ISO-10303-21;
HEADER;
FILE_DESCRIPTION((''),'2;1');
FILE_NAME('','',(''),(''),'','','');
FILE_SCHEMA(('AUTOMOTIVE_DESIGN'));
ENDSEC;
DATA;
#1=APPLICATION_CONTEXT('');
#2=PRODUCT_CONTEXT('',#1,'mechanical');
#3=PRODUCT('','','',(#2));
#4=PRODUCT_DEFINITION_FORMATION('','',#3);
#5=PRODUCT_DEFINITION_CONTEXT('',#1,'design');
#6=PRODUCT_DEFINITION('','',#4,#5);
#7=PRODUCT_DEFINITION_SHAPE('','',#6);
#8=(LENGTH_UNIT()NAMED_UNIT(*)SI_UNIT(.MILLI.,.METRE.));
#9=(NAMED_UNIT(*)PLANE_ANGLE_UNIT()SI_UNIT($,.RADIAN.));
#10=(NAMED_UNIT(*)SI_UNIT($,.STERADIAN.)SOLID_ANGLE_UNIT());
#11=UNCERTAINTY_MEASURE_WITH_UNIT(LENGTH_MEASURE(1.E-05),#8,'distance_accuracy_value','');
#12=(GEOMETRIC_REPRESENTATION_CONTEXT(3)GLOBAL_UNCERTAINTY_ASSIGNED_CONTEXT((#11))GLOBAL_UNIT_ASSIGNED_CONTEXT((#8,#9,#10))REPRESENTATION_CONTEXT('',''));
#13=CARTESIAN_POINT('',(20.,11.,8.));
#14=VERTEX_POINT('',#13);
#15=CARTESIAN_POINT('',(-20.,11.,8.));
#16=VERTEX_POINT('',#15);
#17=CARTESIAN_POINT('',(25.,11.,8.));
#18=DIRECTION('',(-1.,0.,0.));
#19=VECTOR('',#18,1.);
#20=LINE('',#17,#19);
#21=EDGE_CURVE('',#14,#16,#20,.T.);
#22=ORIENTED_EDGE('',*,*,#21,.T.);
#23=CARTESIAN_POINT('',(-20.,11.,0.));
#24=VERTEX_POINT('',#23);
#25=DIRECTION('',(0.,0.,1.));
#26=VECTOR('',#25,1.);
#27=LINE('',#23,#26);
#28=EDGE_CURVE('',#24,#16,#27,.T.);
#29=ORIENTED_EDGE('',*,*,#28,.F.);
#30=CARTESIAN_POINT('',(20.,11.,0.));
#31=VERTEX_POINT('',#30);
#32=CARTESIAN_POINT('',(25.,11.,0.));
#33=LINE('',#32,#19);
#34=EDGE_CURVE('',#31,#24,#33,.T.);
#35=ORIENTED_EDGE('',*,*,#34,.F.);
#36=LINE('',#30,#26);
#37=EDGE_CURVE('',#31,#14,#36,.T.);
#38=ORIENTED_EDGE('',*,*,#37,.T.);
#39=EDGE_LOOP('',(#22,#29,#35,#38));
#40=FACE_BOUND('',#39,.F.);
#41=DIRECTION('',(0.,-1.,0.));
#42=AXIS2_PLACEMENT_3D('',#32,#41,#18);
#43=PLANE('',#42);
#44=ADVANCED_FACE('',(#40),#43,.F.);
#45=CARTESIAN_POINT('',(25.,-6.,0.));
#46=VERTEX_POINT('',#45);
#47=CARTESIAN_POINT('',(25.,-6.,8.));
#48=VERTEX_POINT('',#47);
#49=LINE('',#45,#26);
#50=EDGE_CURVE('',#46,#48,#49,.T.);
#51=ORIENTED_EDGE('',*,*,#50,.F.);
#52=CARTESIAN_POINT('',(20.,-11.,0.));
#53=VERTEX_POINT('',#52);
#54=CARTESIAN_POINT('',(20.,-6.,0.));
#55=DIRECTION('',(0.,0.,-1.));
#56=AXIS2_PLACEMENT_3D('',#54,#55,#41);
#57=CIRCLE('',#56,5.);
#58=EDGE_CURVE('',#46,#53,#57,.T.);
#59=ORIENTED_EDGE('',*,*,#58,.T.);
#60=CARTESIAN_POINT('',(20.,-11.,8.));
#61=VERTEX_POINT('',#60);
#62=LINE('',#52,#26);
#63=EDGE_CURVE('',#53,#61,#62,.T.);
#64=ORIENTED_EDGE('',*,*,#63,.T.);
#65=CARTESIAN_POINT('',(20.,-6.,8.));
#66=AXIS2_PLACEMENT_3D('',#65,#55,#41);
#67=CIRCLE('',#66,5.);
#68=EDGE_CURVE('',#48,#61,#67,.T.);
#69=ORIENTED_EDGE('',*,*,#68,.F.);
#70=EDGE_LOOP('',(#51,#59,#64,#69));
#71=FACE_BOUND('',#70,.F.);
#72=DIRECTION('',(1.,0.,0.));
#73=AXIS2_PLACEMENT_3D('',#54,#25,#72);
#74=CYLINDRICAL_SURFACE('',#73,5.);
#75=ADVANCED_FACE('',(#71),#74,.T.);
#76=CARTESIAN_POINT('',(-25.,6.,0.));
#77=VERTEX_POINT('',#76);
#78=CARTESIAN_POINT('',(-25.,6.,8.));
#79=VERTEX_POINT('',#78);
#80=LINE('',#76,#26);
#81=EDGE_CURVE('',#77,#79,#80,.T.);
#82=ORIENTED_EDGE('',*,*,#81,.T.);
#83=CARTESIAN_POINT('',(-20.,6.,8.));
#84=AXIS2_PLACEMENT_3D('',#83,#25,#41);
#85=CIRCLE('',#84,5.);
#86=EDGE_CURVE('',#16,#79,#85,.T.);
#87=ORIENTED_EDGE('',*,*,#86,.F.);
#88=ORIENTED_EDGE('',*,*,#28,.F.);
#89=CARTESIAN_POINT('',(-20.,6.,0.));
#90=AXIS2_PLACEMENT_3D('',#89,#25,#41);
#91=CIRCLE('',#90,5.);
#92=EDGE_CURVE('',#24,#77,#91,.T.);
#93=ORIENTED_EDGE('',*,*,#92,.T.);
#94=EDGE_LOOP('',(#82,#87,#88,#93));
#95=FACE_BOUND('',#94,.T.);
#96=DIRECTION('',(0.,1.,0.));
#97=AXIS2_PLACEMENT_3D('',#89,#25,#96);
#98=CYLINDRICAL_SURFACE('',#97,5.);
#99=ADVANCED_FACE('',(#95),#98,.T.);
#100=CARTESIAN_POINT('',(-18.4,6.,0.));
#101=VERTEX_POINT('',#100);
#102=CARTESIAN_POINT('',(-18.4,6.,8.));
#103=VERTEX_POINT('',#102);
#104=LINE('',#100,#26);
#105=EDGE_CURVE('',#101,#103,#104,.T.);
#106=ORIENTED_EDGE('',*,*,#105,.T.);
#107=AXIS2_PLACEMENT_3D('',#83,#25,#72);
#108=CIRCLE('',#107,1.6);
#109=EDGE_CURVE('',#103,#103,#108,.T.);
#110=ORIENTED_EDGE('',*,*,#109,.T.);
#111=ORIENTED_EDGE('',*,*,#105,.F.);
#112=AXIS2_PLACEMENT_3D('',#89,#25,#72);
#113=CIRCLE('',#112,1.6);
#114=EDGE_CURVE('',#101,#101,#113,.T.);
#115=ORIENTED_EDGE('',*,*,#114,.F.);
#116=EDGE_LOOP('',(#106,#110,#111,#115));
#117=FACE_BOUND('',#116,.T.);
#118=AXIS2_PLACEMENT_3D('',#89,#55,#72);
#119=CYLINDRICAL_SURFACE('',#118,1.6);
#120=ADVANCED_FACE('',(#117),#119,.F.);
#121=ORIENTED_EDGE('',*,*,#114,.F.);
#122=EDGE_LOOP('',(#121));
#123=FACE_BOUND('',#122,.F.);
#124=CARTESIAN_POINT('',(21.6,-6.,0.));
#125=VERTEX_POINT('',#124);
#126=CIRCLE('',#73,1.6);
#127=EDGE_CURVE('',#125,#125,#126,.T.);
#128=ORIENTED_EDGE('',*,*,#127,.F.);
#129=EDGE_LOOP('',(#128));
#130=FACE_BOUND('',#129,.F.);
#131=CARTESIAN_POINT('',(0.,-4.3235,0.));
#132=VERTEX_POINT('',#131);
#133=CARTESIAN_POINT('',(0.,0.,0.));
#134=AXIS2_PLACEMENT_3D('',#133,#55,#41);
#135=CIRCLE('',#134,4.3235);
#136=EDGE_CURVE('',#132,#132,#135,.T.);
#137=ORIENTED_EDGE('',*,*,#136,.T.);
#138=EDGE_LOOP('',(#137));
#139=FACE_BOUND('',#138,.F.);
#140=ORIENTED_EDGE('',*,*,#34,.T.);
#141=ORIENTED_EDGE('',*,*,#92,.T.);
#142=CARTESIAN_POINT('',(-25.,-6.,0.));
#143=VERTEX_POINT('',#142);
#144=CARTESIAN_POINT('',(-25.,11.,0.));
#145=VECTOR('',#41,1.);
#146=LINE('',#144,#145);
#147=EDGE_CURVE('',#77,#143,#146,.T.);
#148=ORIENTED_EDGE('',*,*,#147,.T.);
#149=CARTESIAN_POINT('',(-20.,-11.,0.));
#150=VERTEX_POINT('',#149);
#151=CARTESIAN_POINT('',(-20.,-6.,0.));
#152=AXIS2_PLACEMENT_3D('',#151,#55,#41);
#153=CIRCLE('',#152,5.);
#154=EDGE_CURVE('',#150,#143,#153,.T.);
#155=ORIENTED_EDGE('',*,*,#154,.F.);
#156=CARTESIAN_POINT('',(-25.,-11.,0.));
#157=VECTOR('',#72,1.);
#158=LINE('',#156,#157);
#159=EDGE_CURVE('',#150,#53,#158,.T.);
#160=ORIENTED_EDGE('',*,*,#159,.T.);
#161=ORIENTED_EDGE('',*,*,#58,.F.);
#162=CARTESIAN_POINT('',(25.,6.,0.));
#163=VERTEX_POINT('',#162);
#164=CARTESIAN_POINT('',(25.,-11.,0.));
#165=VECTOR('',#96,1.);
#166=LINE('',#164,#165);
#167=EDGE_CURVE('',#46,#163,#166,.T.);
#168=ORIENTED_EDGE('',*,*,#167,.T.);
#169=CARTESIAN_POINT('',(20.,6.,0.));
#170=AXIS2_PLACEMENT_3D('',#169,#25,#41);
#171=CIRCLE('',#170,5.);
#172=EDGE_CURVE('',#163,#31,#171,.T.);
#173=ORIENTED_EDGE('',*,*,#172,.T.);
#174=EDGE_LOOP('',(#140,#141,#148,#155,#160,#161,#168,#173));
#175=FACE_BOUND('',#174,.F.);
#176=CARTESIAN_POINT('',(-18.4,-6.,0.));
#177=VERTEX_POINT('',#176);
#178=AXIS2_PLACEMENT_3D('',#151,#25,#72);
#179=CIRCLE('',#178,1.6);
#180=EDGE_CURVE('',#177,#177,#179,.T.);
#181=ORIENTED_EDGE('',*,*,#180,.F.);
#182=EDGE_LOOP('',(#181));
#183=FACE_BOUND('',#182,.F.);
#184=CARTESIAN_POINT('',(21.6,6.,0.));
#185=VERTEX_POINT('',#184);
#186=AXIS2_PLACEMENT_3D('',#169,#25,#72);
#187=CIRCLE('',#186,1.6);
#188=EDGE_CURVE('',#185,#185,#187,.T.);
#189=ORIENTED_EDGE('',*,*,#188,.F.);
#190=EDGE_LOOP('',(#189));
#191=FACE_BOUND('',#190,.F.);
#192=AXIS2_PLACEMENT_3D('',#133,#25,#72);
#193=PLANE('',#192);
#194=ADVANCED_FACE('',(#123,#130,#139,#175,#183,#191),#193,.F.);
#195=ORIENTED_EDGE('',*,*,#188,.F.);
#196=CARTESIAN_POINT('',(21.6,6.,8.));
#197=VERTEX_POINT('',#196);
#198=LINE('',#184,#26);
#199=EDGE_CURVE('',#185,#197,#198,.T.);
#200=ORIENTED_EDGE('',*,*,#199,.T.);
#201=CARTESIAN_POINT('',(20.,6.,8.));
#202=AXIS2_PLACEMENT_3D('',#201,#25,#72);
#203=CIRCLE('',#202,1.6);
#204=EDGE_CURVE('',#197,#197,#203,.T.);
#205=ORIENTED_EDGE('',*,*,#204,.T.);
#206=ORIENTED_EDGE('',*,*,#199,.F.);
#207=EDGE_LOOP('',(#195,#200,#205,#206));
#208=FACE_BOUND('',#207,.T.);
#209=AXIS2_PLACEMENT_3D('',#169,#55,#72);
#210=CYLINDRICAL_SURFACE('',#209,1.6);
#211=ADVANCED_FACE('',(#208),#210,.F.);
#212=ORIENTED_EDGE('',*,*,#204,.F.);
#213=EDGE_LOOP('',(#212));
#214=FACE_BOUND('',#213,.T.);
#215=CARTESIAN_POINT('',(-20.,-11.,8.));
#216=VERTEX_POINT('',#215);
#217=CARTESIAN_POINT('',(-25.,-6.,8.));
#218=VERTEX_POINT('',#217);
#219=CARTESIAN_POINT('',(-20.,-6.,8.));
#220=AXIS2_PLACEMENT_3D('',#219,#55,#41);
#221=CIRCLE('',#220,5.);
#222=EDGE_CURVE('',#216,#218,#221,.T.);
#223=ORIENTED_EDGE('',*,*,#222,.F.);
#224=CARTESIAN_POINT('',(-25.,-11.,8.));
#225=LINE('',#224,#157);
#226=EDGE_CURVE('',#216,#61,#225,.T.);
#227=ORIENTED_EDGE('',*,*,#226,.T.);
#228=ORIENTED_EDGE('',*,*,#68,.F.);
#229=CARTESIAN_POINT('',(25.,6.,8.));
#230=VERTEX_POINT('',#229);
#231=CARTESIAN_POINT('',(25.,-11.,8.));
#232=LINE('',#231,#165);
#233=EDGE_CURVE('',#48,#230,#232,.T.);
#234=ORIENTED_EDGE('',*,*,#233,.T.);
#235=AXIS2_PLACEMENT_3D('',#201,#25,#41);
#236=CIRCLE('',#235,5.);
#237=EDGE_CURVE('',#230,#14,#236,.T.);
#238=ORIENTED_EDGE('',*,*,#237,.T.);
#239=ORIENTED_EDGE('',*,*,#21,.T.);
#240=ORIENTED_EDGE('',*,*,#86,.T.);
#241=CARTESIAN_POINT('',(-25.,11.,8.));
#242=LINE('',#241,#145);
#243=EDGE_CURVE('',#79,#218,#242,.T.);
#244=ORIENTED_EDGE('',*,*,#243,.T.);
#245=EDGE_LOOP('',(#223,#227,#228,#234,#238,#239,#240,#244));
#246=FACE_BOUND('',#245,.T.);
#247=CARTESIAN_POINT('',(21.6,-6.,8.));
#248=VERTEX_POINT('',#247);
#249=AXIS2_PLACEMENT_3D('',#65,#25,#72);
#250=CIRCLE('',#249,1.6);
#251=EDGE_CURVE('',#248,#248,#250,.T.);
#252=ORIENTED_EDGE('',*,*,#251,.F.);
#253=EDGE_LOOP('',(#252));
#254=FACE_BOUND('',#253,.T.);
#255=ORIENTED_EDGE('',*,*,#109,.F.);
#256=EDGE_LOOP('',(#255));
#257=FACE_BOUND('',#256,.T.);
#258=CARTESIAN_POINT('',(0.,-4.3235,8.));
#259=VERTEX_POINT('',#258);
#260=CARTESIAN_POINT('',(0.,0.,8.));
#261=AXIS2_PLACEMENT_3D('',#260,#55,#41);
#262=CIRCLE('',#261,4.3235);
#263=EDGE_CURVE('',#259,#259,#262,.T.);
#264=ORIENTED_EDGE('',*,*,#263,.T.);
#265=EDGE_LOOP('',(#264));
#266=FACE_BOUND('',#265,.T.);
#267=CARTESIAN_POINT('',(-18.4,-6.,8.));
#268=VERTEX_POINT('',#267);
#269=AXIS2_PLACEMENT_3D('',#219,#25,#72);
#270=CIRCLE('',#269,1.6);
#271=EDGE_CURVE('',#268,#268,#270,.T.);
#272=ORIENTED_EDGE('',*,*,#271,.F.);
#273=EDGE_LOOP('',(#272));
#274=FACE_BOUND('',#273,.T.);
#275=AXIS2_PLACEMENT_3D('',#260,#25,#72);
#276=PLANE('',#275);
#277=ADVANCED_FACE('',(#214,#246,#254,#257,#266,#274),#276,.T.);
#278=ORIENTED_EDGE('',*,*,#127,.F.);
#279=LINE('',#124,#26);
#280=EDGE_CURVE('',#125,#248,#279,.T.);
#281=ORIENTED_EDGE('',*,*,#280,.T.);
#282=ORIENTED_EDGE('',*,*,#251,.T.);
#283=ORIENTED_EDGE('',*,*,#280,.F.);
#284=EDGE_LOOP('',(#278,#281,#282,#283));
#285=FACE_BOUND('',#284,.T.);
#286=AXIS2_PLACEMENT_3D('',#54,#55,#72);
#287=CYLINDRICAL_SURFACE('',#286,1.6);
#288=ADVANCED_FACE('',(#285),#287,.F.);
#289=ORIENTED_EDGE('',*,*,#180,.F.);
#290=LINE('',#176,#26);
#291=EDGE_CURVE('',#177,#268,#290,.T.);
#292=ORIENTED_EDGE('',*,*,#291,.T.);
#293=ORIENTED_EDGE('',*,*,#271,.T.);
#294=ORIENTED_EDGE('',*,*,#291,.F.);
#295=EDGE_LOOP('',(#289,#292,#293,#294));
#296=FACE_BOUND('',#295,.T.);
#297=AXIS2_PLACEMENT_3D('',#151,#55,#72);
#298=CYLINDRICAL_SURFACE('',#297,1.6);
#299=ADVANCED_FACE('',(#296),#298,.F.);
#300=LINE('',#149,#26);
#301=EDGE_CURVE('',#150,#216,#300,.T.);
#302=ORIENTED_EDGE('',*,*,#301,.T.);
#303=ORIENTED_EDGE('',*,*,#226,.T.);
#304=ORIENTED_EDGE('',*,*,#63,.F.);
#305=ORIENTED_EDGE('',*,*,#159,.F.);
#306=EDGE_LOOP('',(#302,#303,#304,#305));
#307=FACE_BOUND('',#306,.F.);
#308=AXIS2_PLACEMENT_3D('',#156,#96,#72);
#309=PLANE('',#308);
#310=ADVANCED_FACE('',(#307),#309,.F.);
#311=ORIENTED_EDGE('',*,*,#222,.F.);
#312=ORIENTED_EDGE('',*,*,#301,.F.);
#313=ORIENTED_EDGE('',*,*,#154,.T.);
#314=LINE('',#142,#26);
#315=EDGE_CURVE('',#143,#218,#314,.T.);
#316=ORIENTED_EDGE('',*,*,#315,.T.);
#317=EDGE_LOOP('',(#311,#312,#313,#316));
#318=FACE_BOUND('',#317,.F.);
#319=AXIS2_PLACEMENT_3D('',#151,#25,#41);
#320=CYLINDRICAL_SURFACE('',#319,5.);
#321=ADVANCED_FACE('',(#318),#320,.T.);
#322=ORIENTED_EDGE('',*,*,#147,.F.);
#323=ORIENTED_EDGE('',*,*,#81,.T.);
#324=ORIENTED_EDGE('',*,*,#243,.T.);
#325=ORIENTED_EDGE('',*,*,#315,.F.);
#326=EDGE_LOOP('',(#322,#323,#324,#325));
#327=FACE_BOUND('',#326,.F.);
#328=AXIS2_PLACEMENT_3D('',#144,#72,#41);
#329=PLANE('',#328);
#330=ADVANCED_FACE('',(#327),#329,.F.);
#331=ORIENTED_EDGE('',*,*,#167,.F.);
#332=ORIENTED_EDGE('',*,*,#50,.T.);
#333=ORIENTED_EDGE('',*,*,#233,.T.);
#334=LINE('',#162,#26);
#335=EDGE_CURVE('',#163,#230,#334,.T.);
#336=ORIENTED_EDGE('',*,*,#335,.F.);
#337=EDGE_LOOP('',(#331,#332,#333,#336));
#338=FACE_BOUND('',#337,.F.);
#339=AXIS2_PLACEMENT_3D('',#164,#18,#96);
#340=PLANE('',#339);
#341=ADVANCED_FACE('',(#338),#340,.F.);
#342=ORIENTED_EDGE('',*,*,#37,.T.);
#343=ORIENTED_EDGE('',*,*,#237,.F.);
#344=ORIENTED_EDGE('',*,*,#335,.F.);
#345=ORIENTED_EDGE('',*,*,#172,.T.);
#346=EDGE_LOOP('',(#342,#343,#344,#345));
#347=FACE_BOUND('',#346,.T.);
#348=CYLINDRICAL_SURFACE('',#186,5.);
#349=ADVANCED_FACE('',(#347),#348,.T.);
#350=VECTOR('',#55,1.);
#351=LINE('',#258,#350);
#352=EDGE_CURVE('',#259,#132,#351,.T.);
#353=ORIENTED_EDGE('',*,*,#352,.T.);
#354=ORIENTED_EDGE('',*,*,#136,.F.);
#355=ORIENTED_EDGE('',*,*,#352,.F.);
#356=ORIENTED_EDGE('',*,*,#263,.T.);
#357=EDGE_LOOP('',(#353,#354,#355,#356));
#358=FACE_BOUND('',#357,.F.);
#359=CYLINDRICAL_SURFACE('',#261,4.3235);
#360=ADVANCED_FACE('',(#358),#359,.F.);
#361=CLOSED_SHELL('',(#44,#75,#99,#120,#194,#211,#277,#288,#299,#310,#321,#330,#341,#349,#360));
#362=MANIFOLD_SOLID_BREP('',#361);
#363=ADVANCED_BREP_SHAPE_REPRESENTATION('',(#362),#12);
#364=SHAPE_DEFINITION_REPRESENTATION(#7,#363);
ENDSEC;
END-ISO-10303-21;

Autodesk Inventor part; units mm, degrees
ref_plane "YZ Plane" through (0, 0, 0) normal (1, 0, 0) x (0, 1, 0)
ref_plane "XZ Plane" through (0, 0, 0) normal (0, 1, 0) x (-1, 0, 0)
ref_plane "XY Plane" through (0, 0, 0) normal (0, 0, 1) x (1, 0, 0)
sketch "スケッチ1" plane through (0, 0, 0) normal (0, 0, 1) x (1, 0, 0)
  line L0 (25, 11) -> (-25, 11)
  line L1 (-25, 11) -> (-25, -11)
  line L2 (-25, -11) -> (25, -11)
  line L3 (25, -11) -> (25, 11)
  line L4 (25, 11) -> (-25, -11) construction
  line L5 (-25, 11) -> (25, -11) construction
  circle A0 centre (-20, 6) radius 1.6
  circle A1 centre (-20, -6) radius 1.6
  circle A2 centre (20, 6) radius 1.6
  circle A3 centre (20, -6) radius 1.6
  point P0 (0, 0)
  dimension "d0" = 50
  dimension "d1" = 22
  dimension "d14" = 3.2
  dimension "d15" = 3.2
  dimension "d16" = 3.2
  dimension "d17" = 3.2
  dimension "d18" = 40
  dimension "d19" = 5
  dimension "d20" = 12
  dimension "d21" = 5
extrude "押し出し1" add sketch "スケッチ1" along normal blind 8
sketch "スケッチ2" plane through (0, 0, 8) normal (0, 0, 1) x (1, 0, 0)
  circle A0 centre (0, 0) radius 5
  dimension "d4" = 10
hole "穴1" at (0, 0, 8) direction (0, 0, -1) diameter 8.647 end through all thread size "M10x1.25" class "6H" standard "ANSI Metric M Profile"
fillet "フィレット1" radius 5 4 edges at (25, 11, 4) (25, -11, 4) (-25, 11, 4) (-25, -11, 4)
